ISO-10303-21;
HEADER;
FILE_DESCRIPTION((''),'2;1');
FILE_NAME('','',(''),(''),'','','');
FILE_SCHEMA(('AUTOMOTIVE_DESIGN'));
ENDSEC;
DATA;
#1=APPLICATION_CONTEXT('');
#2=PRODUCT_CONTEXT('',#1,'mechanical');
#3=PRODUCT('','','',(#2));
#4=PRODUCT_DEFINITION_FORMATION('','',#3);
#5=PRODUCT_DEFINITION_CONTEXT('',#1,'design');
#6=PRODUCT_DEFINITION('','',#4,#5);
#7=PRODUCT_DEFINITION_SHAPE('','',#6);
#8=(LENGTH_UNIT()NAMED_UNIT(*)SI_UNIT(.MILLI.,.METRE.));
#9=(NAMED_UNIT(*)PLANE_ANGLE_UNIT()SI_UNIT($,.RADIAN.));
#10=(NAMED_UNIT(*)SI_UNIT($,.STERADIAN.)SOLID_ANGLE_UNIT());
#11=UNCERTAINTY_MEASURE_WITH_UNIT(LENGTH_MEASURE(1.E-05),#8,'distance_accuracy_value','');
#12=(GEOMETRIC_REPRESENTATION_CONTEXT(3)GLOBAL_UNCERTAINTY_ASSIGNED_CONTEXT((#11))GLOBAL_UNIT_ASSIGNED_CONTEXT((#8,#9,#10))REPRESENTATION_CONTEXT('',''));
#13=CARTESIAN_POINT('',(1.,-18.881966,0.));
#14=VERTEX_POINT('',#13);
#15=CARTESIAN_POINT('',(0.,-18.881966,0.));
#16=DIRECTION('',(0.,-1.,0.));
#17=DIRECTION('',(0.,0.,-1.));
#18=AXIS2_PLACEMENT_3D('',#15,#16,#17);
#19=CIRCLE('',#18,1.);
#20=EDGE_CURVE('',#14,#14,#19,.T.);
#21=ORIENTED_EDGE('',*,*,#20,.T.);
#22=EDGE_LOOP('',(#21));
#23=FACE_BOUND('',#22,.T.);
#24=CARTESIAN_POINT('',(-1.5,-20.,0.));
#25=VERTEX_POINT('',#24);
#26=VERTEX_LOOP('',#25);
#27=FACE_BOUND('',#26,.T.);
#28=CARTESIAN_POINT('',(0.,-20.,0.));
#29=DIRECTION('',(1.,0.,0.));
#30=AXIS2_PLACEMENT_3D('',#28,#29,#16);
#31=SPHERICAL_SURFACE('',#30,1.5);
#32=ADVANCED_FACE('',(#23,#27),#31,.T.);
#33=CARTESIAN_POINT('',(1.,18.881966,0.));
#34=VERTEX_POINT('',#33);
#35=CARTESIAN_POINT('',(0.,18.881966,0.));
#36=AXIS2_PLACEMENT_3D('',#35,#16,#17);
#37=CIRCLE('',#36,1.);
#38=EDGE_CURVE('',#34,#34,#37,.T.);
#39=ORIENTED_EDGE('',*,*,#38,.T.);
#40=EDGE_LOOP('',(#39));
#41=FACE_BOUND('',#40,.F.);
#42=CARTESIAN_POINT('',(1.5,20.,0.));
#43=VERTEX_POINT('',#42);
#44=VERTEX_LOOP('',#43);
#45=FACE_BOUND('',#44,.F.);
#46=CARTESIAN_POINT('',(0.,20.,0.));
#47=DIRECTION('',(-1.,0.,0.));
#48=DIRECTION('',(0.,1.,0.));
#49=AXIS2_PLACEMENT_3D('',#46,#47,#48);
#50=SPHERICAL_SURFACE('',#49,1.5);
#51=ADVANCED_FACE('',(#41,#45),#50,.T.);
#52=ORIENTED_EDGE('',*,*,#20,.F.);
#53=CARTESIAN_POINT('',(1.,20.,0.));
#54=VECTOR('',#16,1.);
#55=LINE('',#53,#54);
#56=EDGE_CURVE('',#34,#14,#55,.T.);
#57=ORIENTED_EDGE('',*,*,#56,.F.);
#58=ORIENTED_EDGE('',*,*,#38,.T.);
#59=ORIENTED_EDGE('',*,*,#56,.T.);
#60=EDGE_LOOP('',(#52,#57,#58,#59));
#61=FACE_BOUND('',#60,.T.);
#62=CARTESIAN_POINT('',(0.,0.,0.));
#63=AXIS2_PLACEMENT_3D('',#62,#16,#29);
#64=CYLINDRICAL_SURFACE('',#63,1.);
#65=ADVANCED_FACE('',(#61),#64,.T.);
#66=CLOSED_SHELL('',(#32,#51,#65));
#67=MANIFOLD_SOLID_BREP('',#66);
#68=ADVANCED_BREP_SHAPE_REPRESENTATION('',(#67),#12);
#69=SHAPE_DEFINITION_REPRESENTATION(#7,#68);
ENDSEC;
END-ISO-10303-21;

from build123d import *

# Parameters (mm, degrees)
F0_R     = 1
F1_DEPTH = 20


with BuildPart() as f1:
    # F0 (on Front) → F1 (new body, symmetric)
    with BuildSketch(Plane.XZ):
        Circle(F0_R)
    extrude(amount=F1_DEPTH, both=True)

    # F2 (on Top) → F3 (revolve)
    with BuildSketch(Plane.XY):
        with BuildLine():
            Line((1.5, -20), (-1.5, -20))
            ThreePointArc((-1.5, -20), (0, -21.5), (1.5, -20))
        make_face()
    revolve(axis=Axis((0, -20, 0), (1, 0, 0)))

    # F4 (on Top) → F5 (revolve)
    with BuildSketch(Plane.XY):
        with BuildLine():
            Line((-1.5, 20), (1.5, 20))
            ThreePointArc((1.5, 20), (0, 21.5), (-1.5, 20))
        make_face()
    revolve(axis=Axis((0, 20, 0), (1, 0, 0)))


solid = f1.part
